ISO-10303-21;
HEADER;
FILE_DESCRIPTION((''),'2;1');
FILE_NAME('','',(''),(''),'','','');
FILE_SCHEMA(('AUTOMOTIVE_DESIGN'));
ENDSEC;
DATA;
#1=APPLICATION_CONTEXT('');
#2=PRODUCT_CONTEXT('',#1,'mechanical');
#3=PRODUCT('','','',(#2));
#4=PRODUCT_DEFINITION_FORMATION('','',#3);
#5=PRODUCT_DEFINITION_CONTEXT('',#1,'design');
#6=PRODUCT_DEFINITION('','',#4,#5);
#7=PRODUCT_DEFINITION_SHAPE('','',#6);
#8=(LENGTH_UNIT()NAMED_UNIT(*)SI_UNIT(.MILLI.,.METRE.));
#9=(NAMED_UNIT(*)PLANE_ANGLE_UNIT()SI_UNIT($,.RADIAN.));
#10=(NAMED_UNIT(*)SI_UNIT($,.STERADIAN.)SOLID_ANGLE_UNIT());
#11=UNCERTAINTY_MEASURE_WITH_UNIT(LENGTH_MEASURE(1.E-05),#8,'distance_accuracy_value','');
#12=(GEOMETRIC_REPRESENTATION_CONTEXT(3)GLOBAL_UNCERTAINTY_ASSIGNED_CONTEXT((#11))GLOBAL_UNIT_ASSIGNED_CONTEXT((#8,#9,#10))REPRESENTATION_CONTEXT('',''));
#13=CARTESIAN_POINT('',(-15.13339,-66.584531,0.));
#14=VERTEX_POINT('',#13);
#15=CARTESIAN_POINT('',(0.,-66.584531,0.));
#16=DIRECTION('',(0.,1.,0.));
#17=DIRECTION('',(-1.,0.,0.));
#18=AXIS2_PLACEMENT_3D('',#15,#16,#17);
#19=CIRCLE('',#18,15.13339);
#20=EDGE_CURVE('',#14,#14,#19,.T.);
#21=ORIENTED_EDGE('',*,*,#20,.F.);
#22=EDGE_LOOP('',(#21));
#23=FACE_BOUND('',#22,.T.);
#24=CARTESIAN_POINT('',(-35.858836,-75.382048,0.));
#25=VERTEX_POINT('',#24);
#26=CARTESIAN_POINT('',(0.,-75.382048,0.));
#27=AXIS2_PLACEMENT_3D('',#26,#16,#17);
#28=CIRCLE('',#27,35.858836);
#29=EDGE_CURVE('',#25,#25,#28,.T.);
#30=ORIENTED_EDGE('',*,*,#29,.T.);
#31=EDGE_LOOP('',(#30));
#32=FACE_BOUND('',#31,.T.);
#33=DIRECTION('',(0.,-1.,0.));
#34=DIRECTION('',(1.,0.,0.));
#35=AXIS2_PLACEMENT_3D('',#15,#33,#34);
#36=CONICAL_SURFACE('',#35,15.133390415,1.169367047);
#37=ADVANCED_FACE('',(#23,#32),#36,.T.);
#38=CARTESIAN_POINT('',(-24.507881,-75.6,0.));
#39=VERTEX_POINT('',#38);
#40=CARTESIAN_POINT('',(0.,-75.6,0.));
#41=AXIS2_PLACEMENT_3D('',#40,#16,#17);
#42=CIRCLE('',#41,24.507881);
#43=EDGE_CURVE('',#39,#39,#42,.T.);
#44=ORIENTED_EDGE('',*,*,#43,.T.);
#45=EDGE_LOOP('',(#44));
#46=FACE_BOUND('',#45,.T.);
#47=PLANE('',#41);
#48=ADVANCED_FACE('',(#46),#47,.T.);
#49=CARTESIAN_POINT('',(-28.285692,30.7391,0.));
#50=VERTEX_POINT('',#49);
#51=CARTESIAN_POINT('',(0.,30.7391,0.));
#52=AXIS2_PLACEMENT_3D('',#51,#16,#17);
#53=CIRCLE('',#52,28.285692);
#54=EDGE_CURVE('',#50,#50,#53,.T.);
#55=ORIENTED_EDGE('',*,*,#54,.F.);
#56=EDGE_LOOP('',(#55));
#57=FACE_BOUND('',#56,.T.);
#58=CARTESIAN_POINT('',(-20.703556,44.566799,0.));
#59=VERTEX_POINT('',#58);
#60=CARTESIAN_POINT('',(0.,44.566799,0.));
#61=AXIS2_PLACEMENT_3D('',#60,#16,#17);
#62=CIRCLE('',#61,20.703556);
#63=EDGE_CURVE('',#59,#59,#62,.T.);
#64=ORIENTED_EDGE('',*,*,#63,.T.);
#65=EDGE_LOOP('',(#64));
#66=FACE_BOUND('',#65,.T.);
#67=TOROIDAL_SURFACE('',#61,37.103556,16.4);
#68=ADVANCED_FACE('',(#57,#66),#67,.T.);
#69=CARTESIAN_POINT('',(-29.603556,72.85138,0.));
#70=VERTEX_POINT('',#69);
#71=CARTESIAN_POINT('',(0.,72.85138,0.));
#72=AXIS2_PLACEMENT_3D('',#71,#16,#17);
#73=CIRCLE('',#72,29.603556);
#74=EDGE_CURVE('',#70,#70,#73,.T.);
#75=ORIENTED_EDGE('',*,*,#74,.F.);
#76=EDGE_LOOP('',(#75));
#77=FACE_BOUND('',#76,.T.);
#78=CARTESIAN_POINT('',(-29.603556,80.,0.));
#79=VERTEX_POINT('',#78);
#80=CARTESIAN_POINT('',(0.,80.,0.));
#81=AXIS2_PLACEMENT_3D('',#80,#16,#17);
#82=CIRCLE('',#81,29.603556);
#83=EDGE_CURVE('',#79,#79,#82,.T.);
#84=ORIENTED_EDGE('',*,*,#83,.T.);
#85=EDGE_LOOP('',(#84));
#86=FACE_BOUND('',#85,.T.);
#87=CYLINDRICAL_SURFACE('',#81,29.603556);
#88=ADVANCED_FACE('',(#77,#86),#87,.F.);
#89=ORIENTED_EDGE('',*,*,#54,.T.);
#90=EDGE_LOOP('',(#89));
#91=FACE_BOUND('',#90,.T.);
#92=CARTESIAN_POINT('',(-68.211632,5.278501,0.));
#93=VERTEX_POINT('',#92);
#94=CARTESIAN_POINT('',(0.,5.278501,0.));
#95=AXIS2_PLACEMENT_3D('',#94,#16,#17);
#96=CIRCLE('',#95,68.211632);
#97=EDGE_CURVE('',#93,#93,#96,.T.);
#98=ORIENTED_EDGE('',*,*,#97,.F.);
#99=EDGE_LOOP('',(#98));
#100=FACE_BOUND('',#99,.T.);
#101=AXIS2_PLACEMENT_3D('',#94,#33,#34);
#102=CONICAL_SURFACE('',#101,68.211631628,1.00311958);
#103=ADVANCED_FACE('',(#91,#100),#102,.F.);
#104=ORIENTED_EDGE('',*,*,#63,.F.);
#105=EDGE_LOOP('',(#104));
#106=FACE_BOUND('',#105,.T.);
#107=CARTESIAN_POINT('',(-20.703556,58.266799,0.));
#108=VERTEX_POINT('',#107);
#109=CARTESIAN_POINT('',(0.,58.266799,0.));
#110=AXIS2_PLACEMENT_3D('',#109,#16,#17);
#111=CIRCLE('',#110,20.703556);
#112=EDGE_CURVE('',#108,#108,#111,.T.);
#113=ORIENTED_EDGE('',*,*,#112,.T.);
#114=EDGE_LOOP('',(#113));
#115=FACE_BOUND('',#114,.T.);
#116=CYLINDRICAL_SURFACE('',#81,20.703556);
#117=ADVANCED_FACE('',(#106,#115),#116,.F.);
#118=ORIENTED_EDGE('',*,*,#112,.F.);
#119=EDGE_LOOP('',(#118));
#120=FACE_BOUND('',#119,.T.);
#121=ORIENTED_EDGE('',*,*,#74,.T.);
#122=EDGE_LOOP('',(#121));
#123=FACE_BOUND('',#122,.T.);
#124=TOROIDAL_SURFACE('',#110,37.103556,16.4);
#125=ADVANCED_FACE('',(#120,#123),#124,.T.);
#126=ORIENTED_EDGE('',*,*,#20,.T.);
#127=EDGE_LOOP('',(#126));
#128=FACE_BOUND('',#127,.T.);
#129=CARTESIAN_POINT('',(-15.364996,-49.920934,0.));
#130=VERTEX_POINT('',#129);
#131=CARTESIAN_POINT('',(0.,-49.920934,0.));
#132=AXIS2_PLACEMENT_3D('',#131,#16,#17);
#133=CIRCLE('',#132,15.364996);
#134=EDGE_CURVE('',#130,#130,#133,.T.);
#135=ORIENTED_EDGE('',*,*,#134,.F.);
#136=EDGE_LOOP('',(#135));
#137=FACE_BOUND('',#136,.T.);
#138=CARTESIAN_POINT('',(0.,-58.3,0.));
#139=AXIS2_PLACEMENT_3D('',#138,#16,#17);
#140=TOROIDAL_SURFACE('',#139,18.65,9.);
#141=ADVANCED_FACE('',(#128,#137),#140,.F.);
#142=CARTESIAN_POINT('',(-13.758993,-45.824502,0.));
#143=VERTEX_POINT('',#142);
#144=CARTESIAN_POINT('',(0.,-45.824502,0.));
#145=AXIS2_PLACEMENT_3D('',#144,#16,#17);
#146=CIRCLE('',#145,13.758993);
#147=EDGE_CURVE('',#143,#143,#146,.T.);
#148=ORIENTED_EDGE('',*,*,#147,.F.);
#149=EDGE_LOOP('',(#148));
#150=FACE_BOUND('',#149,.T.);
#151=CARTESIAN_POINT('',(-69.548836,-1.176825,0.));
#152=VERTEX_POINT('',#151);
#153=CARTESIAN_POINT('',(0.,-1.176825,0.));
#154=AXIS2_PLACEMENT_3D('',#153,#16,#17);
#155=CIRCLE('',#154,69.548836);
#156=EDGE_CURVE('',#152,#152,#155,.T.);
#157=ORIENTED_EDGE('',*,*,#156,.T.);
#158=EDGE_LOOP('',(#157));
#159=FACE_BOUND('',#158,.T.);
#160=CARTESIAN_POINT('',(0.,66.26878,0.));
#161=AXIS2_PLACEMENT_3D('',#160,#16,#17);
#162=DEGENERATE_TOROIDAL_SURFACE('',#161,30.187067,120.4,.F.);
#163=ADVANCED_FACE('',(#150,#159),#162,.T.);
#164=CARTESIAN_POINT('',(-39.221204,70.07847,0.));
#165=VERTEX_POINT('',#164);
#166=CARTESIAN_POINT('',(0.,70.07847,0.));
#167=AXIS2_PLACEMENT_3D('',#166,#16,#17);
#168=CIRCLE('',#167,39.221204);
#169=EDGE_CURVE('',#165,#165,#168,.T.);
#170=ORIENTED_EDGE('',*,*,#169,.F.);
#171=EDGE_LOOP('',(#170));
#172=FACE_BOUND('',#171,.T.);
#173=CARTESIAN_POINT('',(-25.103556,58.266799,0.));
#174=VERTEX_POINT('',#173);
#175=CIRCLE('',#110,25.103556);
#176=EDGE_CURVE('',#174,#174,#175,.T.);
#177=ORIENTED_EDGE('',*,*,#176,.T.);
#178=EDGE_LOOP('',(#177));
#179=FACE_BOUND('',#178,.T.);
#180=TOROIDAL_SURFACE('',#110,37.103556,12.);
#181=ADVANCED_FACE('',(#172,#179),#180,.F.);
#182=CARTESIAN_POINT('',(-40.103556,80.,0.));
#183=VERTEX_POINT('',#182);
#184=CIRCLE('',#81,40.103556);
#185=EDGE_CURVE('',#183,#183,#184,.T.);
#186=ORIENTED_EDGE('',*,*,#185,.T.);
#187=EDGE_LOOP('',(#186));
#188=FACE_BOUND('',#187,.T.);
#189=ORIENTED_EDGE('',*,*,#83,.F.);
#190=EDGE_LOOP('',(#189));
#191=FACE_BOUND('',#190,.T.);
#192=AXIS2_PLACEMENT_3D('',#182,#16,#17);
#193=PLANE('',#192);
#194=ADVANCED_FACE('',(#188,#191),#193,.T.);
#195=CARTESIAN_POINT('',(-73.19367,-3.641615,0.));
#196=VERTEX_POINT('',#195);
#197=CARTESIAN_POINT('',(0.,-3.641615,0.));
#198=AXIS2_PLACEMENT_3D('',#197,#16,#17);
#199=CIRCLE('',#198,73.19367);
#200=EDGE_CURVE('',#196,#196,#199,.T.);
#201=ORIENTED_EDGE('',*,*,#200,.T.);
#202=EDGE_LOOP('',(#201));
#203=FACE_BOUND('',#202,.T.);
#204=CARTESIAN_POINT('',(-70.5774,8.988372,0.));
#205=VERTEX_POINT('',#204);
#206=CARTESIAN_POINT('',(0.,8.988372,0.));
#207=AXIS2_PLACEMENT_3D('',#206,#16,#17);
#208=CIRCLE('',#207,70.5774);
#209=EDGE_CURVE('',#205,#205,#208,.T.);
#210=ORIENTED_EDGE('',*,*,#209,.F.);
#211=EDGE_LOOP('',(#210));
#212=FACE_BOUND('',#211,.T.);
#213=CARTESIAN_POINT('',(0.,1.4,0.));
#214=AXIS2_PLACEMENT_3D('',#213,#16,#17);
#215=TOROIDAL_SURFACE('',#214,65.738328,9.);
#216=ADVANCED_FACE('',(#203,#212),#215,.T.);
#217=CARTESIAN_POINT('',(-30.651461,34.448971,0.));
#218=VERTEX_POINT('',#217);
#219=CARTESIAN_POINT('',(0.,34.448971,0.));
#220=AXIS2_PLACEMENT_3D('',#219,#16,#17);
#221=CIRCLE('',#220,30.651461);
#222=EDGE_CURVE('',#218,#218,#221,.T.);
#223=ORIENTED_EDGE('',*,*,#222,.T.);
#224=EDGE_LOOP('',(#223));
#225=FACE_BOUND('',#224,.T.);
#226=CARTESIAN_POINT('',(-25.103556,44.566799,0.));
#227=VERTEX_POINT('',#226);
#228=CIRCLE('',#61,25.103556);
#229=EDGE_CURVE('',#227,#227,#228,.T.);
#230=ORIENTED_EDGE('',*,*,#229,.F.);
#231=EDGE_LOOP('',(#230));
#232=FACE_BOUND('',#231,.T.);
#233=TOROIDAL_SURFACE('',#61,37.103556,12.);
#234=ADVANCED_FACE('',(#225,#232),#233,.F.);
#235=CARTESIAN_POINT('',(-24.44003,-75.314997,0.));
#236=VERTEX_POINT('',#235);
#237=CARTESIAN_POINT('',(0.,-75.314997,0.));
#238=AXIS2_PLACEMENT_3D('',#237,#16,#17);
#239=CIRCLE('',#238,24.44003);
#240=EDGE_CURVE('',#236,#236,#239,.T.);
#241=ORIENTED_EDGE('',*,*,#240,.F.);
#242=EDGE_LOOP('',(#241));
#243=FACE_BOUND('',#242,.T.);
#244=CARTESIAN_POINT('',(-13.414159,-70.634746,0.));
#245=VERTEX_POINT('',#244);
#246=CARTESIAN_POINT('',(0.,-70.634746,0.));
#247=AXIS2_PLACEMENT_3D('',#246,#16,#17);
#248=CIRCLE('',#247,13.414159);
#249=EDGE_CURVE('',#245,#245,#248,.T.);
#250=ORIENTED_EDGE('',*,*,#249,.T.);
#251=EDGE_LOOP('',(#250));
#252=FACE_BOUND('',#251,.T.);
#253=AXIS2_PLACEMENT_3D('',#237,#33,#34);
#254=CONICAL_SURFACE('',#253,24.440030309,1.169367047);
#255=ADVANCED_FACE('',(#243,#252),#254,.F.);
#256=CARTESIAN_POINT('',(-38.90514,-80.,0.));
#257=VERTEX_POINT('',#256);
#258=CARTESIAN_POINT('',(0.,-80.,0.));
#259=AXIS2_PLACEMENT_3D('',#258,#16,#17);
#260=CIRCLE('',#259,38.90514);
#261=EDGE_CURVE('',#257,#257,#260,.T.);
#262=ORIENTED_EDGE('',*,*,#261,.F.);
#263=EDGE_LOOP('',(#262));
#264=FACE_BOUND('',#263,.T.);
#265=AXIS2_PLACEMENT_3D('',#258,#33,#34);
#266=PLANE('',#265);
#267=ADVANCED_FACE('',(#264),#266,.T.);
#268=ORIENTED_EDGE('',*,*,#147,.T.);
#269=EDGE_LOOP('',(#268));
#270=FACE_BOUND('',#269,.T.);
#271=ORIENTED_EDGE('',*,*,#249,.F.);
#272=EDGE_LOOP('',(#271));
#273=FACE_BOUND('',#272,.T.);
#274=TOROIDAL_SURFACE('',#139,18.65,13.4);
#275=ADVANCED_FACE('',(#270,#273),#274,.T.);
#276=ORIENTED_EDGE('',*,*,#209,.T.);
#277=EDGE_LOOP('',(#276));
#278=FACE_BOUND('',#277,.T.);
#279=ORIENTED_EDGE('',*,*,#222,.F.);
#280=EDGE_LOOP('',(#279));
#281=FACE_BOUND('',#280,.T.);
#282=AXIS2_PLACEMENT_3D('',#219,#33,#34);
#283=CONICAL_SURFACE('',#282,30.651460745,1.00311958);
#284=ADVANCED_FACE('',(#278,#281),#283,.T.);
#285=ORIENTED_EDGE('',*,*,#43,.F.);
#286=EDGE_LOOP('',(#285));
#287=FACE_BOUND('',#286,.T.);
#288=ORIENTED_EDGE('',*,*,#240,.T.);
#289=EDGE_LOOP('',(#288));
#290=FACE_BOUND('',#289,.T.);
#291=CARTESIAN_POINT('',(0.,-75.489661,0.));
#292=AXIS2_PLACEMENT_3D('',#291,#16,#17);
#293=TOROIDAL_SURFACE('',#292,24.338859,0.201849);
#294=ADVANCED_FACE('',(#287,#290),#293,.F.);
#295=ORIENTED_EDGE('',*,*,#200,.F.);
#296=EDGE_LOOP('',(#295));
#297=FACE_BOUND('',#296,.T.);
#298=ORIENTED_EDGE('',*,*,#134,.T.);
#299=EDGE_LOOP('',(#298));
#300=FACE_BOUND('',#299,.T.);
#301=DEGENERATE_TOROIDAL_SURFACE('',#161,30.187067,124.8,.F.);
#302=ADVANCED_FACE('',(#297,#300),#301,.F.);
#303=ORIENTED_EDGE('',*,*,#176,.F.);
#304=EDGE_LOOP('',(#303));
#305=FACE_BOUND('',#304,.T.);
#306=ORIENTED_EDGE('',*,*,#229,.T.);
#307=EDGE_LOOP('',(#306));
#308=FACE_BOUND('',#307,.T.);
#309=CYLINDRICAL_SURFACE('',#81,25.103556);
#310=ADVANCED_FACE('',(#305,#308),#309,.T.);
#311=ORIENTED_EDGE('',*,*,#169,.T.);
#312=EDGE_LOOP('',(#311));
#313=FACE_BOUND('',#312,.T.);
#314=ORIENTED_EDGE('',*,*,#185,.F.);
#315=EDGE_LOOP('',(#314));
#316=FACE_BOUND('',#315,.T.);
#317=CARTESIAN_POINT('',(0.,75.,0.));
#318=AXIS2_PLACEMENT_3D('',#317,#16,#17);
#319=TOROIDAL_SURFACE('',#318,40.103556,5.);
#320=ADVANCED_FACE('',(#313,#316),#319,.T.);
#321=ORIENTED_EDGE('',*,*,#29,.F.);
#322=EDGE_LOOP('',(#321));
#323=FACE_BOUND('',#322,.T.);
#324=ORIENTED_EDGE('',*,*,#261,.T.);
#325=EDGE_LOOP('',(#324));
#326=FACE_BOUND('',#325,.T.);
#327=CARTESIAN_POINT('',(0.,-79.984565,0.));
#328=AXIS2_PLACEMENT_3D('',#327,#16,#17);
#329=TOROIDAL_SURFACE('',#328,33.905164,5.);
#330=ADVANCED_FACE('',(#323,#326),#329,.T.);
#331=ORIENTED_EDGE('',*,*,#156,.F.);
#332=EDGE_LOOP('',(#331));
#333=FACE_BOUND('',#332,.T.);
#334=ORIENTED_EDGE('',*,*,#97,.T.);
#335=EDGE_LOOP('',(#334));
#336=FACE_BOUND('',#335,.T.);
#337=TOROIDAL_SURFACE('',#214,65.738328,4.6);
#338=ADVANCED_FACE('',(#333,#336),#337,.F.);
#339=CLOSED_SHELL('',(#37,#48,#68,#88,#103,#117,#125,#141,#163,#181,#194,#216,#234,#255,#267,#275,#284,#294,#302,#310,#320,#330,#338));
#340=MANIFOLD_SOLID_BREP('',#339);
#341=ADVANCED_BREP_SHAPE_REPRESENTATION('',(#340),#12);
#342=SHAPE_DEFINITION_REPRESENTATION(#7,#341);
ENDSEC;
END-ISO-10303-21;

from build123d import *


with BuildPart() as part:
    # Sketch1 → Revolve1 (revolve)
    with BuildSketch(Plane.XY):
        with BuildLine():
            Line((0, -80), (-38.905140273, -80))
            ThreePointArc((-38.905140273, -80), (-38.078852669, -77.231326381), (-35.858836089, -75.382047821))
            Line((-35.858836089, -75.382047821), (-15.133390415, -66.584531189))
            ThreePointArc((-15.133390415, -66.584531189), (-9.650869177, -58.174922289), (-15.364995513, -49.92093409))
            ThreePointArc((-15.364995513, -49.92093409), (-47.791702716, -31.170183188), (-73.19366984, -3.641615015))
            ThreePointArc((-73.19366984, -3.641615015), (-74.55123305, 3.225570926), (-70.577400065, 8.988371636))
            Line((-70.577400065, 8.988371636), (-30.651460745, 34.448970621))
            ThreePointArc((-30.651460745, 34.448970621), (-26.581552186, 38.797273876), (-25.103556483, 44.566799469))
            Line((-25.103556483, 44.566799469), (-25.103556483, 58.266799469))
            ThreePointArc((-25.103556483, 58.266799469), (-29.403289108, 67.470379335), (-39.221203541, 70.078470432))
            ThreePointArc((-39.221203541, 70.078470432), (-45.083900238, 74.55708231), (-40.103556483, 80))
            Line((-40.103556483, 80), (-29.603556483, 80))
            Line((-29.603556483, 80), (-29.603556483, 72.851380368))
            ThreePointArc((-29.603556483, 72.851380368), (-23.104270786, 66.809632723), (-20.703556483, 58.266799469))
            Line((-20.703556483, 58.266799469), (-20.703556483, 44.566799469))
            ThreePointArc((-20.703556483, 44.566799469), (-22.723483943, 36.681781158), (-28.285692308, 30.739100044))
            Line((-28.285692308, 30.739100044), (-68.211631628, 5.278501058))
            ThreePointArc((-68.211631628, 5.278501058), (-70.24270182, 2.333069584), (-69.54883618, -1.176825452))
            ThreePointArc((-69.54883618, -1.176825452), (-45.04245123, -27.734835131), (-13.75899332, -45.824501868))
            ThreePointArc((-13.75899332, -45.824501868), (-5.251294108, -58.113773186), (-13.414159062, -70.634746437))
            Line((-13.414159062, -70.634746437), (-24.440030309, -75.314997333))
            ThreePointArc((-24.440030309, -75.314997333), (-24.535220148, -75.442913451), (-24.507880522, -75.6))
            Line((-24.507880522, -75.6), (0, -75.6))
            Line((0, -75.6), (0, -80))
        make_face()
    revolve(axis=Axis((0, 80, 0), (0, -1, 0)))


solid = part.part
